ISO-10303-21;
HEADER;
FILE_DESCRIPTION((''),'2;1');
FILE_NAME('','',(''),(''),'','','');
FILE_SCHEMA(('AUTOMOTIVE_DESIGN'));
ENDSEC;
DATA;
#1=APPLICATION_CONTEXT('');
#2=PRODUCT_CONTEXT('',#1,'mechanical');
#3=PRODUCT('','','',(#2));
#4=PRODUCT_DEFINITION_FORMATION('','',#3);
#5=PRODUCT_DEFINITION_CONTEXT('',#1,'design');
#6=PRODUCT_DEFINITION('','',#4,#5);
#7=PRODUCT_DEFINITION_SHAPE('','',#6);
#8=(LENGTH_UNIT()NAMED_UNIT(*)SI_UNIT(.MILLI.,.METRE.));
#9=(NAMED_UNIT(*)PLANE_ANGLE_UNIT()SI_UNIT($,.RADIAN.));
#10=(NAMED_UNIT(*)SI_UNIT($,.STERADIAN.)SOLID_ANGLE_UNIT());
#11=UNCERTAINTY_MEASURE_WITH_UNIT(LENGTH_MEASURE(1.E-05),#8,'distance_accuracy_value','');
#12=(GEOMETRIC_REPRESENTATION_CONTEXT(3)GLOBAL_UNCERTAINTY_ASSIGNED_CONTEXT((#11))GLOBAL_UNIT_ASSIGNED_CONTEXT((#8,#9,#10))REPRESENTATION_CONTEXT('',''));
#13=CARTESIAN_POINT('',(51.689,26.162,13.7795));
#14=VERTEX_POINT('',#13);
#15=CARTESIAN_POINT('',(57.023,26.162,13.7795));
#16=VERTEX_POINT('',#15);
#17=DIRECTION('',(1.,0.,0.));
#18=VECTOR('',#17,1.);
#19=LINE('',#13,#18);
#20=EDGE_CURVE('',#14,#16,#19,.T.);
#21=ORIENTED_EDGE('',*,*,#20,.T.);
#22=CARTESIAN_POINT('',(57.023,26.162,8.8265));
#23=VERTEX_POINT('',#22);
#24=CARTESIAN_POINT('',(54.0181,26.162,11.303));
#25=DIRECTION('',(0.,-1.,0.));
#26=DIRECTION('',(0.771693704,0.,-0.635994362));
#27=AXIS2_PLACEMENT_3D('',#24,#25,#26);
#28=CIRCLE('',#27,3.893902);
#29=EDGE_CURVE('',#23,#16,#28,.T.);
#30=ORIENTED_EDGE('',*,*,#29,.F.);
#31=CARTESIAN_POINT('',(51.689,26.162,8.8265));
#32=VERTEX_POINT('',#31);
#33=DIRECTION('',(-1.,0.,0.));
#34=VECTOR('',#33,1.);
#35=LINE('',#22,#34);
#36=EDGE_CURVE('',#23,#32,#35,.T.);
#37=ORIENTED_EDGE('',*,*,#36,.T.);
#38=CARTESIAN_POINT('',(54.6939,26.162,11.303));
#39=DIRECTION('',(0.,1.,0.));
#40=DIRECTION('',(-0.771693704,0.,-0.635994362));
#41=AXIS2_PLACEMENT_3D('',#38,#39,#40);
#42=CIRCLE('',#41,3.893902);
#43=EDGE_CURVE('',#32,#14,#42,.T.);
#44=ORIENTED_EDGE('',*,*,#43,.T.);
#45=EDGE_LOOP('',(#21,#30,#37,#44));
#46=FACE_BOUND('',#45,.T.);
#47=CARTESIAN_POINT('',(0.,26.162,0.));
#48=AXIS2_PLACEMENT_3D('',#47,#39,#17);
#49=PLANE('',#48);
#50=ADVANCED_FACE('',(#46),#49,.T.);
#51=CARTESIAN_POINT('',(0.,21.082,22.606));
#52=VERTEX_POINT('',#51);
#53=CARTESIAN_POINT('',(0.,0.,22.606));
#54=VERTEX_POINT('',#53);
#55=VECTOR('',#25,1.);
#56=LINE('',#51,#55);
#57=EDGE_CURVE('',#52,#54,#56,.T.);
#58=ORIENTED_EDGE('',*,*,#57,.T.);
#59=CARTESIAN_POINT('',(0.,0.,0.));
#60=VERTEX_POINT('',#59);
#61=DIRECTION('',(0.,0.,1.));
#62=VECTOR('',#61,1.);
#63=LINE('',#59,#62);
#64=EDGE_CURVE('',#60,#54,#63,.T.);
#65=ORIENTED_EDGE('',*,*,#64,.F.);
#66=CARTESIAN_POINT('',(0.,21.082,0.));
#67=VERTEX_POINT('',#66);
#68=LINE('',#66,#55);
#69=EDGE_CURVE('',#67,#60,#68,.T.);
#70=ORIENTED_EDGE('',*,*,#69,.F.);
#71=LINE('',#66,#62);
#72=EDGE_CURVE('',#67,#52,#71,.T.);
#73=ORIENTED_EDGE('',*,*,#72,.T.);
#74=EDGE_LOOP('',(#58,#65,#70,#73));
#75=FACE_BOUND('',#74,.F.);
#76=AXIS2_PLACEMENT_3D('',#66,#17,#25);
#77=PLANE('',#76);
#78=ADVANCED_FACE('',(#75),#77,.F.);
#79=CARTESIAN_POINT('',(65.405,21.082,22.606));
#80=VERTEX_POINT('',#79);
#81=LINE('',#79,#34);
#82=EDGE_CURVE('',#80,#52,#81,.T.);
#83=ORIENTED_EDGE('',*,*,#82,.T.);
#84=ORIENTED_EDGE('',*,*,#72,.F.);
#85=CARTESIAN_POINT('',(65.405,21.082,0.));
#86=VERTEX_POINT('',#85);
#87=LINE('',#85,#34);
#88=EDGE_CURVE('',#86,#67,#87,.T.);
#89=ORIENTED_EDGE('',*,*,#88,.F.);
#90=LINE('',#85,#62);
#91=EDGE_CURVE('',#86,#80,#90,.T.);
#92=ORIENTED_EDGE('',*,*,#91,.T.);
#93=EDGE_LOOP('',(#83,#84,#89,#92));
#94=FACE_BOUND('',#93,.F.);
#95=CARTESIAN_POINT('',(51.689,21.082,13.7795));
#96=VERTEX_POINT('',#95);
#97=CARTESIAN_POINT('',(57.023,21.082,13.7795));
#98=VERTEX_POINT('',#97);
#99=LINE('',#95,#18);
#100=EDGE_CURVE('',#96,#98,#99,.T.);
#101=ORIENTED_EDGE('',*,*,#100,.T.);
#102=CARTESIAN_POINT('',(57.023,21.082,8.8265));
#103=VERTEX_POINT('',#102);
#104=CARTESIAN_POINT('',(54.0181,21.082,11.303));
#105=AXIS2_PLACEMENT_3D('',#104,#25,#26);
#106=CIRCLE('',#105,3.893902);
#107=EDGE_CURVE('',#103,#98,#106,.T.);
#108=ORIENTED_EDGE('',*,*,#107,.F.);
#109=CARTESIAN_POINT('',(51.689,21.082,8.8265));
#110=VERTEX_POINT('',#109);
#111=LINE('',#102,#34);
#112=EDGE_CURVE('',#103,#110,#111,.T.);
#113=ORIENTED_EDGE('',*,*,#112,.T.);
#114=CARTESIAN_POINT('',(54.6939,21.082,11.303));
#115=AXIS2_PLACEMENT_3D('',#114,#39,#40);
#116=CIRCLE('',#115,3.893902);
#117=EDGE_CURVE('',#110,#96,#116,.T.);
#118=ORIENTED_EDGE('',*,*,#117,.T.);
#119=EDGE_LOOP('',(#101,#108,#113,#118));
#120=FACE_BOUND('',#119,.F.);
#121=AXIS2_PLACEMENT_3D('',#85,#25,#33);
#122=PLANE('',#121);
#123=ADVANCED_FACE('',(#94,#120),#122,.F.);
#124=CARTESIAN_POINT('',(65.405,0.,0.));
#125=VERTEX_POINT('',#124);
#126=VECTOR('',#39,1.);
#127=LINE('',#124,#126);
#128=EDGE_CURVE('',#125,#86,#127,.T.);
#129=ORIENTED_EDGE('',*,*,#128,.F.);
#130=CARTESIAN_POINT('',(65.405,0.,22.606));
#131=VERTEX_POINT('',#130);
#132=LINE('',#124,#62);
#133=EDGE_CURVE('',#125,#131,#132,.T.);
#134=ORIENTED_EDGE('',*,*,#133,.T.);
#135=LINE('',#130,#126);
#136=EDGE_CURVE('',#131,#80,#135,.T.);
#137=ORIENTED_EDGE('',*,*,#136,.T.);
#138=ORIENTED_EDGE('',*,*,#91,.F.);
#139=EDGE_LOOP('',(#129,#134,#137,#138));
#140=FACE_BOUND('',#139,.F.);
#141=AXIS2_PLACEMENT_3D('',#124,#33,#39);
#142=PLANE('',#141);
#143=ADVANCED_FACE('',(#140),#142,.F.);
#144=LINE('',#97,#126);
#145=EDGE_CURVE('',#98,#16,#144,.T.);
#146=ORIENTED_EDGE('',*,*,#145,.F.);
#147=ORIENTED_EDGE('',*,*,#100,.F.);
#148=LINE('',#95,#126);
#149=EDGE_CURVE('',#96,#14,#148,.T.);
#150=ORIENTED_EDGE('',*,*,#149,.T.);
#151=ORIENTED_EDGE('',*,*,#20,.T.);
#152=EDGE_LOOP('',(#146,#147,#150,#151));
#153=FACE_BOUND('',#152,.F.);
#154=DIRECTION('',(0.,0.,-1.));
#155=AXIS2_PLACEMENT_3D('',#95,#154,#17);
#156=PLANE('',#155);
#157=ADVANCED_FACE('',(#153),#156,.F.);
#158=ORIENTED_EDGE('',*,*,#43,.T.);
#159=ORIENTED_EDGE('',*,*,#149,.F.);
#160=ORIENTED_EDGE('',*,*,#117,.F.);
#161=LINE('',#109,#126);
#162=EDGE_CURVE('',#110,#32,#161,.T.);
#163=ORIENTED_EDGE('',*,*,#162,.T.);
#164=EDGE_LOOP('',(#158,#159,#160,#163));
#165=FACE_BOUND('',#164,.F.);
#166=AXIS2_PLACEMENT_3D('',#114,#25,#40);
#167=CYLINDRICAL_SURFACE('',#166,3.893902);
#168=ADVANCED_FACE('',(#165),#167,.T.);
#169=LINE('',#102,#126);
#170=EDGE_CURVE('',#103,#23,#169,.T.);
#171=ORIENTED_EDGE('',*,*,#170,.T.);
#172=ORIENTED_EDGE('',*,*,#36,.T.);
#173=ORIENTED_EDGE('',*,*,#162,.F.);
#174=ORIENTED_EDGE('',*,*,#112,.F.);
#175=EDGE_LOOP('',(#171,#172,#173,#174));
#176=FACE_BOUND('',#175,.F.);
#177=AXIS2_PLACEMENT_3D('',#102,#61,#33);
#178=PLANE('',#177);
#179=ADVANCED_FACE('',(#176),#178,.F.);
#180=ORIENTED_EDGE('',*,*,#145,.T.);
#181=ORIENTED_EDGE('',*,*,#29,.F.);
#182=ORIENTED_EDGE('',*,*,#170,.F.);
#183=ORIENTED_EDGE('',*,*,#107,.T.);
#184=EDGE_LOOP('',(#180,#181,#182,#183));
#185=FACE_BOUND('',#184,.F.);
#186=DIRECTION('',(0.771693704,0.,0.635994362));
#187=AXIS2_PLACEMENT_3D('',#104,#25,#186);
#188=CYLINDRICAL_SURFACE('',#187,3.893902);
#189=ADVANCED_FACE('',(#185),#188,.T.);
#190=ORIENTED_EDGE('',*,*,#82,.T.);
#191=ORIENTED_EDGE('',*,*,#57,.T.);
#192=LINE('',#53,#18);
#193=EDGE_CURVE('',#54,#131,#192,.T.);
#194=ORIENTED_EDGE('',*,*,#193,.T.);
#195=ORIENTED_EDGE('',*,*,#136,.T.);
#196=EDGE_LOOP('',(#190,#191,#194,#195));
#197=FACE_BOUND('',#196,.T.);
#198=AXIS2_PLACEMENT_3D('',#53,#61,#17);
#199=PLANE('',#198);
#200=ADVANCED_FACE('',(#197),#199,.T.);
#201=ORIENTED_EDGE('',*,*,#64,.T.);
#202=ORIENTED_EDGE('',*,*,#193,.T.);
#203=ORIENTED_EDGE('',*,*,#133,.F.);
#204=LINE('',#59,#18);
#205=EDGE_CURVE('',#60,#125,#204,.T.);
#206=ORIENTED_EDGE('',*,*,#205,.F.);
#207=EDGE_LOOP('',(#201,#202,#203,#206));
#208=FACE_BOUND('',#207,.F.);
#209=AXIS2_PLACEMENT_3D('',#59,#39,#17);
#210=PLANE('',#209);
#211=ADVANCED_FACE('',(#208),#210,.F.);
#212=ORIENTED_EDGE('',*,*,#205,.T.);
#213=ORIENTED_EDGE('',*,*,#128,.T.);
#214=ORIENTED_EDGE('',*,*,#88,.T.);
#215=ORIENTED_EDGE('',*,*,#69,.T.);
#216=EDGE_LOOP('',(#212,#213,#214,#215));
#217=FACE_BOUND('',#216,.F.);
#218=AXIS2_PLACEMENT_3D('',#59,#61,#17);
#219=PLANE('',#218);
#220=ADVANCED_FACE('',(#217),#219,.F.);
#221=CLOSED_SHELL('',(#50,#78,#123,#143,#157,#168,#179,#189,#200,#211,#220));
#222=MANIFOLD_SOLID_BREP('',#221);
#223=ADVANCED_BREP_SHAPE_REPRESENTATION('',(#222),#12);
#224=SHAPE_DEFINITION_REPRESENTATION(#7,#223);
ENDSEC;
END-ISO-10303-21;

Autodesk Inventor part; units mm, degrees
ref_plane "YZ Plane" through (0, 0, 0) normal (1, 0, 0) x (0, 1, 0)
ref_plane "XZ Plane" through (0, 0, 0) normal (0, 1, 0) x (-1, 0, 0)
ref_plane "XY Plane" through (0, 0, 0) normal (0, 0, 1) x (1, 0, 0)
sketch "Sketch1" plane through (0, 0, 0) normal (0, 0, 1) x (1, 0, 0)
  line L0 (0, 0) -> (65.405, 0)
  line L1 (65.405, 0) -> (65.405, 21.082)
  line L2 (65.405, 21.082) -> (0, 21.082)
  line L3 (0, 21.082) -> (0, 0)
  dimension "d0" = 65.405
  dimension "d1" = 21.082
extrude "Extrusion1" add sketch "Sketch1" along normal blind 22.606
sketch "Sketch2" plane through (0, 21.082, 0) normal (0, 1, 0) x (1, 0, 0)
  line L0 (65.405, 0) -> (65.405, -22.606) projected
  line L1 (65.405, -11.303) -> (54.356, -11.303)
  line L2 (57.023, -8.8265) -> (51.689, -8.8265)
  line L3 (51.689, -13.7795) -> (57.023, -13.7795)
  line L4 (57.023, -8.8265) -> (51.689, -13.7795) construction
  line L5 (51.689, -8.8265) -> (57.023, -13.7795) construction
  arc A0 (51.689, -8.8265) -> (51.689, -13.7795) centre (54.6939, -11.303) ccw
  arc A1 (57.023, -13.7795) -> (57.023, -8.8265) centre (54.0181, -11.303) ccw
  point P0 (0, 0)
  dimension "d4" = 11.049
  dimension "d5" = 5.334
extrude "Extrusion2" add sketch "Sketch2" along normal blind 5.08
properties part number "Zoetrope_Motor"
